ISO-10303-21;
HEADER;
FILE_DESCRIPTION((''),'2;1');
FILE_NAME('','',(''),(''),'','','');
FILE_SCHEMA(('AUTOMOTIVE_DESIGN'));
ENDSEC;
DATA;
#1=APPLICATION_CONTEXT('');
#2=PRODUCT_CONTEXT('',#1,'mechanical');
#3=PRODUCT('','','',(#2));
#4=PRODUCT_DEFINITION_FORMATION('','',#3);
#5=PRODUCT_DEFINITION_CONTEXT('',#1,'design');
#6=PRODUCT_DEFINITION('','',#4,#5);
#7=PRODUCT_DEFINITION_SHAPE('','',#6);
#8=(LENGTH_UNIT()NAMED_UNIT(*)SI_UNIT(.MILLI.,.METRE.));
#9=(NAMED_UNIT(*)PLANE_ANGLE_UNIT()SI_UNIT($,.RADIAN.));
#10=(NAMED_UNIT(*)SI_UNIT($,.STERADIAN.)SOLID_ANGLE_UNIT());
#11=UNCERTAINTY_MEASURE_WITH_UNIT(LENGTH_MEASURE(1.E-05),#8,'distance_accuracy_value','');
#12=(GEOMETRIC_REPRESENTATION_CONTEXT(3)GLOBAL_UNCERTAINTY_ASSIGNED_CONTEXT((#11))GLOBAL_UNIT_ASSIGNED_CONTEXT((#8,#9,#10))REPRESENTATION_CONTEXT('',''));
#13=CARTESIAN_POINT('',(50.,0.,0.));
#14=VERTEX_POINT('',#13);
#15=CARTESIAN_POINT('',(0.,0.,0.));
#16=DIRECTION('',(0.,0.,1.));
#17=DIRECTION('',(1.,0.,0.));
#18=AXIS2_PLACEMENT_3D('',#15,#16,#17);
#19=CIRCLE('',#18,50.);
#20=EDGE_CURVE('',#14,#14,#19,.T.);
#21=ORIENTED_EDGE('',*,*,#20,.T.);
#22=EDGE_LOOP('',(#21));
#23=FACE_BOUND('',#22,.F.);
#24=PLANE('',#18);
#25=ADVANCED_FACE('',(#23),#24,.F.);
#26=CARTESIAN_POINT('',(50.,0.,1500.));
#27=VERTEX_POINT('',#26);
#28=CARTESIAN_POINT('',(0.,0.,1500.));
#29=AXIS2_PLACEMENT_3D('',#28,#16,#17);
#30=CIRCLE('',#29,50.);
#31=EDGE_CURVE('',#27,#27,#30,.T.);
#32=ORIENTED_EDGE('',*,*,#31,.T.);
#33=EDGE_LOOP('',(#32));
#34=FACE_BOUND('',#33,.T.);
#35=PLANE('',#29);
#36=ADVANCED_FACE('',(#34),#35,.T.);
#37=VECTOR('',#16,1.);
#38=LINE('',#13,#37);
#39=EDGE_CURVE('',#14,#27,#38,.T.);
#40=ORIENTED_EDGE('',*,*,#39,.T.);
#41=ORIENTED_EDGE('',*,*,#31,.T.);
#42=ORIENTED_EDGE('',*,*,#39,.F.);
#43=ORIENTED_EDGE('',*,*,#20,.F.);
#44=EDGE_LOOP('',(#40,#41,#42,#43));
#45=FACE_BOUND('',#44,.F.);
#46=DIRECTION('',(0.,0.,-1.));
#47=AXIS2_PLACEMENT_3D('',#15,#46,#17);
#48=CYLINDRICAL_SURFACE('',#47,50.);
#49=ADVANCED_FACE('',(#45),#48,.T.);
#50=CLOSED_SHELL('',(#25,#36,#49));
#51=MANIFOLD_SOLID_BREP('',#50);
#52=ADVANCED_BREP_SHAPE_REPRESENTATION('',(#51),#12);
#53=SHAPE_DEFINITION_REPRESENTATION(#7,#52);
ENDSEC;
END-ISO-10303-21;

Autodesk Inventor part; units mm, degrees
ref_plane "YZ Plane" through (0, 0, 0) normal (1, 0, 0) x (0, 1, 0)
ref_plane "XZ Plane" through (0, 0, 0) normal (0, 1, 0) x (-1, 0, 0)
ref_plane "XY Plane" through (0, 0, 0) normal (0, 0, 1) x (1, 0, 0)
sketch "Sketch1" plane through (0, 0, 0) normal (0, 0, 1) x (1, 0, 0)
  circle A0 centre (0, 0) radius 50
  dimension "d0" = 100
extrude "Extrusion1" add sketch "Sketch1" along normal blind 1500
properties part number "rod"
